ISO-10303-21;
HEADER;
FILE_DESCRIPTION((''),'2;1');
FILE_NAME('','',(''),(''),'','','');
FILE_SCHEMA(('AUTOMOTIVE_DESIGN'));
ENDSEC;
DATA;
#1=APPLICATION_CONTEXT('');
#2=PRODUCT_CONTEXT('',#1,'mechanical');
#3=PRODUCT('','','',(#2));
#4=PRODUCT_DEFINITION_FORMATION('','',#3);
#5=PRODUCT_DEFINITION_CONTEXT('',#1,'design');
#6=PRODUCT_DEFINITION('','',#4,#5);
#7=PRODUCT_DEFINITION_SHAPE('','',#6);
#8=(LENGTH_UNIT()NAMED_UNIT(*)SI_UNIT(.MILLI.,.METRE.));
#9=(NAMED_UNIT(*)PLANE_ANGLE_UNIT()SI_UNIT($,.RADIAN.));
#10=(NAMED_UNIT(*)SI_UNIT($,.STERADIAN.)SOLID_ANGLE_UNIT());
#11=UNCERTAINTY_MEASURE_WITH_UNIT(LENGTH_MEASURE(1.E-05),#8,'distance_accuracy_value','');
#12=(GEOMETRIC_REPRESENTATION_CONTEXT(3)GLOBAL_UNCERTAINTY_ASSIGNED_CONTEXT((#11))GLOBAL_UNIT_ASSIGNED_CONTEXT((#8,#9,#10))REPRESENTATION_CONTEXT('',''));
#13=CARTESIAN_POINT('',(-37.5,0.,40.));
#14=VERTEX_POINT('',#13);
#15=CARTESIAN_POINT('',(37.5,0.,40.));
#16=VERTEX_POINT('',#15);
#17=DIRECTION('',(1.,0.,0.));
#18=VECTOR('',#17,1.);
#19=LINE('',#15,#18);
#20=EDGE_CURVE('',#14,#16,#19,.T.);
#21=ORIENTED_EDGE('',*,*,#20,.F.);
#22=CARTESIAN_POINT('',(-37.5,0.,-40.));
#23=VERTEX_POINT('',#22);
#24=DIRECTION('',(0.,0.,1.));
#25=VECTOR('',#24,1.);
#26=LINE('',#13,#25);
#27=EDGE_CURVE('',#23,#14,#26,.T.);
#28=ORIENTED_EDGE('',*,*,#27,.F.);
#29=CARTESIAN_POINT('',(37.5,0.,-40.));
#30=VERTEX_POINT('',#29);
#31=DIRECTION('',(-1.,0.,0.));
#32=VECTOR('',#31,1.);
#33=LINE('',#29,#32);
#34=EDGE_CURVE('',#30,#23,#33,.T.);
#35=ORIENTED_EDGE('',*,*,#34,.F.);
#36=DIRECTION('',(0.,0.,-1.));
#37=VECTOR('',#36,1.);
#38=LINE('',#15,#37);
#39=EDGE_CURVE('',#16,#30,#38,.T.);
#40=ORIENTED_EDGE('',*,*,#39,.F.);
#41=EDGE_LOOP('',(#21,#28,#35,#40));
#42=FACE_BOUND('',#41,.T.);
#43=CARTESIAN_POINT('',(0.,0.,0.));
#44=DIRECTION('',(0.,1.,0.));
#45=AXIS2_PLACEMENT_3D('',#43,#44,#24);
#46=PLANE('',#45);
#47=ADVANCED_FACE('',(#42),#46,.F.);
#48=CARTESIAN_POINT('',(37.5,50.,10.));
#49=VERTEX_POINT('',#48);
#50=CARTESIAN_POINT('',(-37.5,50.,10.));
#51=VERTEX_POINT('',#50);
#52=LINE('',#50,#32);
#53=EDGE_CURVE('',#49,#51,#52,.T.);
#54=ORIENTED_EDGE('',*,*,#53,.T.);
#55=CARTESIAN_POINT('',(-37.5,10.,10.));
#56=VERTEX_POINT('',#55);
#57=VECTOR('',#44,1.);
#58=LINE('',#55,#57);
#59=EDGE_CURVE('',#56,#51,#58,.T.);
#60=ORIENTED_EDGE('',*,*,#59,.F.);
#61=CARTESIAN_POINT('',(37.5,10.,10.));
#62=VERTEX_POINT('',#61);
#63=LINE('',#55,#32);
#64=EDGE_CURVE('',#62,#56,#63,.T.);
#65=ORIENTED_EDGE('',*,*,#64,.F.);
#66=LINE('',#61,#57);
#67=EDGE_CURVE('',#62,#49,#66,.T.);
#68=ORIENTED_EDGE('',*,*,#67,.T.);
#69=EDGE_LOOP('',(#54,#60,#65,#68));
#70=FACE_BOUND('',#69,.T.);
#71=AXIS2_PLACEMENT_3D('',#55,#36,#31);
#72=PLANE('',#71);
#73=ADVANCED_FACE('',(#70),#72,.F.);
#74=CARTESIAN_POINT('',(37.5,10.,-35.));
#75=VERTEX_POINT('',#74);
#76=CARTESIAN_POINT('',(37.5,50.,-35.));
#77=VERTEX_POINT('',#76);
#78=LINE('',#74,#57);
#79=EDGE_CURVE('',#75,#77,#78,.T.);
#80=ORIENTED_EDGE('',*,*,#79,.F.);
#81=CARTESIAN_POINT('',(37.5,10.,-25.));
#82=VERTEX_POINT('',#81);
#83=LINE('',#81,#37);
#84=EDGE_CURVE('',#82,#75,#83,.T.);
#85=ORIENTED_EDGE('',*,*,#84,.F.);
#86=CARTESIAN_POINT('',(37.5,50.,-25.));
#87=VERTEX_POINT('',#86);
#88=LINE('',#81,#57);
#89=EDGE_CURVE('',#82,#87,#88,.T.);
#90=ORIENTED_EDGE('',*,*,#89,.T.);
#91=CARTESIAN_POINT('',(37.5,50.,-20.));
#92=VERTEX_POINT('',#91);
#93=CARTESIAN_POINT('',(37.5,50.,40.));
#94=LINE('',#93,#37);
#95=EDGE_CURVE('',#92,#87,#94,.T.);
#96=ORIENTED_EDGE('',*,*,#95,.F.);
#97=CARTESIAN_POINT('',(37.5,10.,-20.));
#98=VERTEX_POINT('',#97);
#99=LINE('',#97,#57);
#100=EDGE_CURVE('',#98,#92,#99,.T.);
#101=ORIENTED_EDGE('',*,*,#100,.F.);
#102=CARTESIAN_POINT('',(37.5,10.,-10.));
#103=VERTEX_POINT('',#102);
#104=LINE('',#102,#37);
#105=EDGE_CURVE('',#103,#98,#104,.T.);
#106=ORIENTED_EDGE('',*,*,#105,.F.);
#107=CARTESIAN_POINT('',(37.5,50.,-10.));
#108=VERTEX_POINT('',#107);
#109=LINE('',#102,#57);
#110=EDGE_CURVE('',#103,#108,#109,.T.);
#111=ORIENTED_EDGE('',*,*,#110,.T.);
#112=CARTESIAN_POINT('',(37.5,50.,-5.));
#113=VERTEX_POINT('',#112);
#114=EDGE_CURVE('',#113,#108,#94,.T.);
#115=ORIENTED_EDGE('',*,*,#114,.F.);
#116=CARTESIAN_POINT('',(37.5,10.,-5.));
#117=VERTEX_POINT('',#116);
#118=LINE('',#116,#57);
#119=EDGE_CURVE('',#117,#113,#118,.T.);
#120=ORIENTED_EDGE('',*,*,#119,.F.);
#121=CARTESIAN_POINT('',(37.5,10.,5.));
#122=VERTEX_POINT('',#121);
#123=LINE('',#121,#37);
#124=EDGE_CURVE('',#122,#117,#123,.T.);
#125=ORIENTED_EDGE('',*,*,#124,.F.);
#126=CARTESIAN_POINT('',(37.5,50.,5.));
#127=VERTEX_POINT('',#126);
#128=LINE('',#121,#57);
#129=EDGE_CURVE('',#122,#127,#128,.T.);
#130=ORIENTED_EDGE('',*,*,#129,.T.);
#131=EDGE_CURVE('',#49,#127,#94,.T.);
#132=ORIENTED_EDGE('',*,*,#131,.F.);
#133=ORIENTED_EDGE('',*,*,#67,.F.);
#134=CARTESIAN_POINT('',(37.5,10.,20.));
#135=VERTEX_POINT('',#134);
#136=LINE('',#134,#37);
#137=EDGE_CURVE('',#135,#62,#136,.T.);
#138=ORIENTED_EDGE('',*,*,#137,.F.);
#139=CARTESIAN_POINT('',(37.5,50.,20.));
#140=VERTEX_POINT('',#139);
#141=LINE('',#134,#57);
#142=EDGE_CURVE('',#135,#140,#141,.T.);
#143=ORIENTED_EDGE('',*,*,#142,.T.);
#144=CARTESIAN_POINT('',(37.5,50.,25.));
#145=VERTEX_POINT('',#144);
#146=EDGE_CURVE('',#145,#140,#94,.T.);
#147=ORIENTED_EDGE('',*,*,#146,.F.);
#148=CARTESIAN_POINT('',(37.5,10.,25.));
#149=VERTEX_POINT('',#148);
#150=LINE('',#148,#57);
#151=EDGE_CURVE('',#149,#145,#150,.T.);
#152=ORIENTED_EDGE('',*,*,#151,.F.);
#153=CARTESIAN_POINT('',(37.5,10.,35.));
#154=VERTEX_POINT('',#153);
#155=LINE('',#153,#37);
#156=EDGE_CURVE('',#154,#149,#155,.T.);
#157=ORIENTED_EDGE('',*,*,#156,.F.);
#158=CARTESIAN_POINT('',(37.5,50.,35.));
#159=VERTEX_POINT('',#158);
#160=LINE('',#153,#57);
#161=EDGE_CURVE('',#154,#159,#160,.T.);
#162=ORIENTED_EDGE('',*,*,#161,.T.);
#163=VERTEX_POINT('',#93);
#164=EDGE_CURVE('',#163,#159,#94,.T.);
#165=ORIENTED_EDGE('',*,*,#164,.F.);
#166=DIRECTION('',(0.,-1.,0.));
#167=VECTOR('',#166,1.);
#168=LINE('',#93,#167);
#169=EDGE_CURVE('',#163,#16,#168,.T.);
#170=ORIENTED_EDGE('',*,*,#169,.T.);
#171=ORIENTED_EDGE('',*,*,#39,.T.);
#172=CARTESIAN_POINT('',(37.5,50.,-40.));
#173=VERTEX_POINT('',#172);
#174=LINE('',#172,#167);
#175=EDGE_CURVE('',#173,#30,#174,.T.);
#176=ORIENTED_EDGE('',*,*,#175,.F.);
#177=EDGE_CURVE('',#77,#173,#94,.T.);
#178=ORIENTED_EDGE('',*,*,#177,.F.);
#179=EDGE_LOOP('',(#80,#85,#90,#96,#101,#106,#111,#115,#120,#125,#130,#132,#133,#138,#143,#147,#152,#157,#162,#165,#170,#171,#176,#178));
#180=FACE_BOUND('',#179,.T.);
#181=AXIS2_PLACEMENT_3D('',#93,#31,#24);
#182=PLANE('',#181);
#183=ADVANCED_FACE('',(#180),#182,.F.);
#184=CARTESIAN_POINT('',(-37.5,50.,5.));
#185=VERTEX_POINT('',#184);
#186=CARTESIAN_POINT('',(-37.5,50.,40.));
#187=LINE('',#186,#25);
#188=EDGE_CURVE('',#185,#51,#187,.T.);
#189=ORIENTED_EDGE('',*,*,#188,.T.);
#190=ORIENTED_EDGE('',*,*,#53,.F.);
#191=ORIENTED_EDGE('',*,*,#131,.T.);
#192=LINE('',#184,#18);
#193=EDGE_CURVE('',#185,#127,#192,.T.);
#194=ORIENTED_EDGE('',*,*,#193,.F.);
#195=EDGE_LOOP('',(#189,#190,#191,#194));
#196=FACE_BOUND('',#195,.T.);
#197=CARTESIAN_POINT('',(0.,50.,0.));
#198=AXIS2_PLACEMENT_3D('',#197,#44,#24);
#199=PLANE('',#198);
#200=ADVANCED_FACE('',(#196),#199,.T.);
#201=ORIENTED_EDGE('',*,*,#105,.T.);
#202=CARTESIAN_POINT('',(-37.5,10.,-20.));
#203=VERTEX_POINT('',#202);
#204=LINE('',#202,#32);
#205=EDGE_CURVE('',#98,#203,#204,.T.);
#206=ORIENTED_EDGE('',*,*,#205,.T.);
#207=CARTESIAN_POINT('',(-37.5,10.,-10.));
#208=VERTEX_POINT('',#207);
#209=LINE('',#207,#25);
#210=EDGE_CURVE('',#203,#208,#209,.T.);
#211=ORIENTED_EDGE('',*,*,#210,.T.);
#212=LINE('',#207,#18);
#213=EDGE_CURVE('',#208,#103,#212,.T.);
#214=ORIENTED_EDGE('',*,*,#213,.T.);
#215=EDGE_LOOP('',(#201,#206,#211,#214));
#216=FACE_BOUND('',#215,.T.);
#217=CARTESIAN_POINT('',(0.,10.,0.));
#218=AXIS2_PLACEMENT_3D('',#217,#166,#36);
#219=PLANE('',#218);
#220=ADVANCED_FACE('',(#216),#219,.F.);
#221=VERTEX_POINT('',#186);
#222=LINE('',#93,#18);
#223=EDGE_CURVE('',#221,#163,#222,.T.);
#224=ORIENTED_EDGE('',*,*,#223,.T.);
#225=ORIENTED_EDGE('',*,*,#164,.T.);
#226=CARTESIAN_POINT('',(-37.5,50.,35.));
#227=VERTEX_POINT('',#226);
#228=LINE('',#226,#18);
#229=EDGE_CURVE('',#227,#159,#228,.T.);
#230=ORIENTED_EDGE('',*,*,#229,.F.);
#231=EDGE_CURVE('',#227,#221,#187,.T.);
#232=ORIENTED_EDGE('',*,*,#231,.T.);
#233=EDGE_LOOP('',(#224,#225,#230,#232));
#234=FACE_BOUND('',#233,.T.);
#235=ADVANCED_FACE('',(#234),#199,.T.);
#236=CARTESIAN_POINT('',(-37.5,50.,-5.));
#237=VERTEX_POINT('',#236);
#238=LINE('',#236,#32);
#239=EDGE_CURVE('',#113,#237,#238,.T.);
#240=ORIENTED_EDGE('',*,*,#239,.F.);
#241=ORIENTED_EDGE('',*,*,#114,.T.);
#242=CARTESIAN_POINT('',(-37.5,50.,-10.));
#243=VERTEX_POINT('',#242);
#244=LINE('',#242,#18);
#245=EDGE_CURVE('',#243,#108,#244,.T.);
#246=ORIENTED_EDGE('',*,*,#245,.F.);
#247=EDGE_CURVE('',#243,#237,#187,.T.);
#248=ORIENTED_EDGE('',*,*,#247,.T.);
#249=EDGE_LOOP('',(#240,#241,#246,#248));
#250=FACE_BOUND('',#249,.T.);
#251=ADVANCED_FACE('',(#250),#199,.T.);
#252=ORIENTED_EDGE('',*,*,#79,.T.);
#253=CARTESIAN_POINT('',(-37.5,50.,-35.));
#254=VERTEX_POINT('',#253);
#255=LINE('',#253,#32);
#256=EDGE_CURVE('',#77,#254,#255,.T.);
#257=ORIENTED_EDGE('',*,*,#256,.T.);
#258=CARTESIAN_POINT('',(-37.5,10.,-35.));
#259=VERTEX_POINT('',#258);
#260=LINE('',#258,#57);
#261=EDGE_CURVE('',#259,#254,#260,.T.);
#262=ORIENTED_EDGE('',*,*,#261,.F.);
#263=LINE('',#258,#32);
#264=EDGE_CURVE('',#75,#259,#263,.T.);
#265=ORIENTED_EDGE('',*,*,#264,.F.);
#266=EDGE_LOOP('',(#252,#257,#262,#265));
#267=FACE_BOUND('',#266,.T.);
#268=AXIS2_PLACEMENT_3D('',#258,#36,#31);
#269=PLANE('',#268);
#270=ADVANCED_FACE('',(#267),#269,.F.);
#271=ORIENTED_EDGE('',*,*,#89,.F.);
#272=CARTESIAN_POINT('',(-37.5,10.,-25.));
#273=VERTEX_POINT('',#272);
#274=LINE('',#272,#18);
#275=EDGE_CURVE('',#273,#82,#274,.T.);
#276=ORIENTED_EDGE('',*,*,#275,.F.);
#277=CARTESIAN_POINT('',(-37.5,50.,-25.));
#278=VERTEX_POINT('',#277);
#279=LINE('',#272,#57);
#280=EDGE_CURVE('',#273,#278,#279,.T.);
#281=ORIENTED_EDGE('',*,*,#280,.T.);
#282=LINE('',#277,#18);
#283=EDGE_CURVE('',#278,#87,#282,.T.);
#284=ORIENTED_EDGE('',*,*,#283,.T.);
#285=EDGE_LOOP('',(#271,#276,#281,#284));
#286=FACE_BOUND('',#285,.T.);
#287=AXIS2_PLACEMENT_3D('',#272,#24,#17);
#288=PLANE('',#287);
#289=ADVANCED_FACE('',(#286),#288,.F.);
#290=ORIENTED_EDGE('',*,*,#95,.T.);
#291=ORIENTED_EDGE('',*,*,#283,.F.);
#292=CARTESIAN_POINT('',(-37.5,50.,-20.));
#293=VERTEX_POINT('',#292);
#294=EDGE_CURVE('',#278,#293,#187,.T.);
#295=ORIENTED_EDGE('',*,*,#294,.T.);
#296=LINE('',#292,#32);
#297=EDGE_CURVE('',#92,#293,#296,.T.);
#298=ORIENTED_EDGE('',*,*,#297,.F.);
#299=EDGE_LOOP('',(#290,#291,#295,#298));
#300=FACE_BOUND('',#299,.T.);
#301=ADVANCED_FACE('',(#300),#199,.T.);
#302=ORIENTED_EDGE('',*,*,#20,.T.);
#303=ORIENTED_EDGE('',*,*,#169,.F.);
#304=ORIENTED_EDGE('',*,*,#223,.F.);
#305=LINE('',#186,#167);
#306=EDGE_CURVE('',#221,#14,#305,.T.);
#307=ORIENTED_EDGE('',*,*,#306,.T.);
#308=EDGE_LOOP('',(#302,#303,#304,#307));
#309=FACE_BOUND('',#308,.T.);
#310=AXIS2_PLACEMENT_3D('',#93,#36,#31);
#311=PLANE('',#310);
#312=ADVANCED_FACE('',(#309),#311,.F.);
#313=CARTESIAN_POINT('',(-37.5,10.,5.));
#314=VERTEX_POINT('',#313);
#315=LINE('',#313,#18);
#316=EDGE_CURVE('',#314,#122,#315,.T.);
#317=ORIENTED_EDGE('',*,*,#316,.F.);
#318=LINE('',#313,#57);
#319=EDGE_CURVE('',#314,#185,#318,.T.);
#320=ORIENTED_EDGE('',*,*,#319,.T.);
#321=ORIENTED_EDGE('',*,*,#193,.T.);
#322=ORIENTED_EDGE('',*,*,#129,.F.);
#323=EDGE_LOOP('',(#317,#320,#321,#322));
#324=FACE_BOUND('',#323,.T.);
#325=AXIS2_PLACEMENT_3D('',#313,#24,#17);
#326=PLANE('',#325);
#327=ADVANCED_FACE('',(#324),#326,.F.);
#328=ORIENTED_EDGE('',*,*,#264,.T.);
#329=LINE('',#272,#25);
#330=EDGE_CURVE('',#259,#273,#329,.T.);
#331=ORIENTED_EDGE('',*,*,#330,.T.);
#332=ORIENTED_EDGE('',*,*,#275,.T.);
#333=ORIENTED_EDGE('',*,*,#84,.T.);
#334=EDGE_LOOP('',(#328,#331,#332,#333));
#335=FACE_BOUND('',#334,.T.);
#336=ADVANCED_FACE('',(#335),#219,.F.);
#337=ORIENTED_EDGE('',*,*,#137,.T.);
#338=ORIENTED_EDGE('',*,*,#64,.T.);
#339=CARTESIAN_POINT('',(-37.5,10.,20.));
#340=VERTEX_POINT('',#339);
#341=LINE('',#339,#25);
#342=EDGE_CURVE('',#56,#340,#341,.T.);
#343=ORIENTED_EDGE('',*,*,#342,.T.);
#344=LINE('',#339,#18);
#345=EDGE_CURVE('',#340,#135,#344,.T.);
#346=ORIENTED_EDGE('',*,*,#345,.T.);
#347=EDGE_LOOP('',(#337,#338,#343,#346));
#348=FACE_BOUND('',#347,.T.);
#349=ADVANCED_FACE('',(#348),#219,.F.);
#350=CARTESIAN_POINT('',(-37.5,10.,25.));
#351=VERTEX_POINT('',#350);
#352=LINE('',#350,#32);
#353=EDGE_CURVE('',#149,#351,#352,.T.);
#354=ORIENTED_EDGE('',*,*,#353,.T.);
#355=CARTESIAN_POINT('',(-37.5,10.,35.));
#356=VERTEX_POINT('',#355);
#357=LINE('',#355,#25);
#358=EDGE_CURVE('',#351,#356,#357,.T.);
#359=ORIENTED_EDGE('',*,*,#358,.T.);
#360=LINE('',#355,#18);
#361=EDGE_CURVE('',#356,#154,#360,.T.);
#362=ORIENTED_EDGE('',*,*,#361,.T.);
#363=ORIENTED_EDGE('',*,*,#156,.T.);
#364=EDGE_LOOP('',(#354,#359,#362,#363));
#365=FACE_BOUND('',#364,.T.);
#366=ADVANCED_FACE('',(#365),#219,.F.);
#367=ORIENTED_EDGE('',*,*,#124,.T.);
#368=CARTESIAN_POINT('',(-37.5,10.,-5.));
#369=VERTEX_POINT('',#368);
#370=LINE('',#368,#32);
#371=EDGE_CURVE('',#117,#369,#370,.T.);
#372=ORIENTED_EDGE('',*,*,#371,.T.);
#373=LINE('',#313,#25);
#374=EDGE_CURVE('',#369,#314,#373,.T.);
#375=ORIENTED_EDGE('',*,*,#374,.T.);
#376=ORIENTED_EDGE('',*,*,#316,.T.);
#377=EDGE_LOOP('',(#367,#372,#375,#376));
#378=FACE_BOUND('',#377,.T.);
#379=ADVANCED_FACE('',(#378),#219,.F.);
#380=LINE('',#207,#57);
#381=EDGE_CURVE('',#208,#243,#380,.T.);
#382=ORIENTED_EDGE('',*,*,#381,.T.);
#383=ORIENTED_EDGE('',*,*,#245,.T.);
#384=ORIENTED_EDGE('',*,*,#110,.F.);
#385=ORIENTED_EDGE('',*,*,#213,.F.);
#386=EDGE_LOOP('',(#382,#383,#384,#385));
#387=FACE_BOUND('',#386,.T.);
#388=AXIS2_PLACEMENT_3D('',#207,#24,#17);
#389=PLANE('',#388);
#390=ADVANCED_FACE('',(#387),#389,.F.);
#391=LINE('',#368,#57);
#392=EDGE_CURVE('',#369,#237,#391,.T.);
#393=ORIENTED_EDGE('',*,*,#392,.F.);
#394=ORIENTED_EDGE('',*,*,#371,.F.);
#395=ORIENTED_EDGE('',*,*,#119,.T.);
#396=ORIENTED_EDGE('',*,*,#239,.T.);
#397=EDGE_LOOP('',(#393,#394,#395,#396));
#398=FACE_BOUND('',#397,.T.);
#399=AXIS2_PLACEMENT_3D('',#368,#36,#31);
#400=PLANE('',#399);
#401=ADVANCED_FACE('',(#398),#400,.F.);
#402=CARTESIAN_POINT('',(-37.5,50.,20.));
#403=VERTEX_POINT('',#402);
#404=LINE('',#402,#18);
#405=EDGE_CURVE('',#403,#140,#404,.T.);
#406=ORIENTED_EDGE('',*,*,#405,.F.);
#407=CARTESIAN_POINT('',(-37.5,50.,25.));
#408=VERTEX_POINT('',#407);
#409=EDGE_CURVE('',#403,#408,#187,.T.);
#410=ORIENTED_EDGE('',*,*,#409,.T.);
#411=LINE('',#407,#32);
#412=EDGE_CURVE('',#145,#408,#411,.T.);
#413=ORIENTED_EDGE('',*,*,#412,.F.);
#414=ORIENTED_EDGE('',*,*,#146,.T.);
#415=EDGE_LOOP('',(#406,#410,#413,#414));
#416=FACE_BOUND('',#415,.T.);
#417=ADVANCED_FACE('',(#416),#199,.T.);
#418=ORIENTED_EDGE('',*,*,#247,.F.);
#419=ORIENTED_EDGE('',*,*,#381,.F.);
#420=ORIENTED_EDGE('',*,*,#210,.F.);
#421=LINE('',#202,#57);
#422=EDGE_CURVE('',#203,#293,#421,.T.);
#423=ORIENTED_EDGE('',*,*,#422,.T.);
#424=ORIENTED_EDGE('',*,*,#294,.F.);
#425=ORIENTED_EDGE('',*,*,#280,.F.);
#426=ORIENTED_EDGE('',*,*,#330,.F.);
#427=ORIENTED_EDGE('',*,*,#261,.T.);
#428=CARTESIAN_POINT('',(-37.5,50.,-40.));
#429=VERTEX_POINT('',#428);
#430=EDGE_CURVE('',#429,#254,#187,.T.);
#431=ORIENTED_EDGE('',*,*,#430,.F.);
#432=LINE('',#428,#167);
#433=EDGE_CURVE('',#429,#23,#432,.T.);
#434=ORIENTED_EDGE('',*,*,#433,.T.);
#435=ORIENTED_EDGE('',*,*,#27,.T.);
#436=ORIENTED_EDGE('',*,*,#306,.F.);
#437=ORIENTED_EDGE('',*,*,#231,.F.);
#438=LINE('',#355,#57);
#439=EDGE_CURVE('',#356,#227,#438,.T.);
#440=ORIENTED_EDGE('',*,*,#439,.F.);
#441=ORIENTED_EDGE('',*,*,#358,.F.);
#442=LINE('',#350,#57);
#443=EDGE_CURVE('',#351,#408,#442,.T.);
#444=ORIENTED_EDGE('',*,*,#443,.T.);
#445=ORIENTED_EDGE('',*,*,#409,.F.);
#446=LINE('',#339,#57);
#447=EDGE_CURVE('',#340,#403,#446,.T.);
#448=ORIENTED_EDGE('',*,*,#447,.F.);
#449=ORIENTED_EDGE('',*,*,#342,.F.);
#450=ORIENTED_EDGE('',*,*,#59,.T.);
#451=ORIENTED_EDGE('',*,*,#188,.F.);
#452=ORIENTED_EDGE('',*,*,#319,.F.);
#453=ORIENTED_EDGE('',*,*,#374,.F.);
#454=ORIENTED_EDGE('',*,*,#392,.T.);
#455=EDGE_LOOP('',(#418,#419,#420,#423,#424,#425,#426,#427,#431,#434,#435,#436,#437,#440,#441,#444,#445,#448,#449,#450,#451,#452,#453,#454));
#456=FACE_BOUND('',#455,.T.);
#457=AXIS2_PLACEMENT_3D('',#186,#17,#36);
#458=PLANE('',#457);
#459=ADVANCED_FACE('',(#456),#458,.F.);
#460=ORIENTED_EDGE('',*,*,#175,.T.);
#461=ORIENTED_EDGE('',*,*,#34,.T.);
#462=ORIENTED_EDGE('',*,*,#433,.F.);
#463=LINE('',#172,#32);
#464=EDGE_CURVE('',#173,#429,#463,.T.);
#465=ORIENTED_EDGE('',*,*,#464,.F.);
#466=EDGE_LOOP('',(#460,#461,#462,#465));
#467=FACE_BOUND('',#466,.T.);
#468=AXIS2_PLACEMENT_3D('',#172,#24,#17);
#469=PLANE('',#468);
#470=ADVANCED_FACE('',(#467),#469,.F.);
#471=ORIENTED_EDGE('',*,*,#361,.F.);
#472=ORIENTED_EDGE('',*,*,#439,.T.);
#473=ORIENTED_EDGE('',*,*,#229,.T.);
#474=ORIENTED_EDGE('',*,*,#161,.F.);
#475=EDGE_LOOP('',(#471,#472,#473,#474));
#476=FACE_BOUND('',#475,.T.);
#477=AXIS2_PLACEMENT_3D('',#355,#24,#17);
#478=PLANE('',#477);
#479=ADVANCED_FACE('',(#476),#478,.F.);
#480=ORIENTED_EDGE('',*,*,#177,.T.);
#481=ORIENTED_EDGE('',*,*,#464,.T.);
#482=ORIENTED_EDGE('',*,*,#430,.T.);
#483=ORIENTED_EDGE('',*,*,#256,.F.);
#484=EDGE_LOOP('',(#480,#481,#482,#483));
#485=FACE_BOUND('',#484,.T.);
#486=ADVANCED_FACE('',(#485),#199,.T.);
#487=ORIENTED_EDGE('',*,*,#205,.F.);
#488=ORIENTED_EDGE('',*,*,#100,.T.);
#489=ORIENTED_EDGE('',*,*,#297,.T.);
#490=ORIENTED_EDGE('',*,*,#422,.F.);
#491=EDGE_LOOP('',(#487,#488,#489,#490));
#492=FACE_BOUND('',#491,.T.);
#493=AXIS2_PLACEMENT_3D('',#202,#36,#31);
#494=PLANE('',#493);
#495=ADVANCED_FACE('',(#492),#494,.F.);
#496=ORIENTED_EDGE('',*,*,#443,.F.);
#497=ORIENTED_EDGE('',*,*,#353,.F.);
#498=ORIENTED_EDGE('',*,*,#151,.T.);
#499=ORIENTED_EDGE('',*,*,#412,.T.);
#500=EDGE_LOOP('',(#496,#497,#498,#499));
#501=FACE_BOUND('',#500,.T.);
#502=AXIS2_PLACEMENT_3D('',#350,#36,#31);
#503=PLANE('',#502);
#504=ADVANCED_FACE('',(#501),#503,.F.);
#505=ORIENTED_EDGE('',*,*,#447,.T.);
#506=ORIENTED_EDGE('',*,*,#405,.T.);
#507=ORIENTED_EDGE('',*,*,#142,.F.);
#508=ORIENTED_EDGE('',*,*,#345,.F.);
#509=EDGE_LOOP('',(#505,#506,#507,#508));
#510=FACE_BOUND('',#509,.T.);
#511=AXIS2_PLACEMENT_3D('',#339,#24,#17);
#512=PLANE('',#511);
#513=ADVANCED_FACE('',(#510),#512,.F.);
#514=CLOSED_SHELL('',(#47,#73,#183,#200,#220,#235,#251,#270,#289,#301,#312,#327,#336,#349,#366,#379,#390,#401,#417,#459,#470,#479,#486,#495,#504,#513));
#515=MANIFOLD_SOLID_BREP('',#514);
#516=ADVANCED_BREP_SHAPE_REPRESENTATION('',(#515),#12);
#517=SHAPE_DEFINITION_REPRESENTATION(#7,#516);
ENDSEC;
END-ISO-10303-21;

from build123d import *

# Parameters (mm, degrees)
SKETCH1_W           = 75
SKETCH1_H           = 80
BOSS_EXTRUDE1_DEPTH = 50
SKETCH2_W           = 75
SKETCH2_H           = 10
CUT_EXTRUDE1_DEPTH  = 40


with BuildPart() as part:
    # Sketch1 → Boss-Extrude1 (new body)
    with BuildSketch(Plane(origin=(0, 0, 0), x_dir=(1, 0, 0), z_dir=(0, 1, 0))):
        Rectangle(SKETCH1_W, SKETCH1_H)
    extrude(amount=BOSS_EXTRUDE1_DEPTH)

    # Sketch2 → Cut-Extrude1 (cut)
    with BuildSketch(Plane(origin=(0, 50, 0), x_dir=(1, 0, 0), z_dir=(0, 1, 0))):
        with Locations((0, 30)):
            Rectangle(SKETCH2_W, SKETCH2_H)
        with Locations((0, 15)):
            Rectangle(SKETCH2_W, SKETCH2_H)
        Rectangle(SKETCH2_W, SKETCH2_H)
        with Locations((0, -15)):
            Rectangle(SKETCH2_W, SKETCH2_H)
        with Locations((0, -30)):
            Rectangle(SKETCH2_W, SKETCH2_H)
    extrude(amount=-CUT_EXTRUDE1_DEPTH, mode=Mode.SUBTRACT)


solid = part.part
